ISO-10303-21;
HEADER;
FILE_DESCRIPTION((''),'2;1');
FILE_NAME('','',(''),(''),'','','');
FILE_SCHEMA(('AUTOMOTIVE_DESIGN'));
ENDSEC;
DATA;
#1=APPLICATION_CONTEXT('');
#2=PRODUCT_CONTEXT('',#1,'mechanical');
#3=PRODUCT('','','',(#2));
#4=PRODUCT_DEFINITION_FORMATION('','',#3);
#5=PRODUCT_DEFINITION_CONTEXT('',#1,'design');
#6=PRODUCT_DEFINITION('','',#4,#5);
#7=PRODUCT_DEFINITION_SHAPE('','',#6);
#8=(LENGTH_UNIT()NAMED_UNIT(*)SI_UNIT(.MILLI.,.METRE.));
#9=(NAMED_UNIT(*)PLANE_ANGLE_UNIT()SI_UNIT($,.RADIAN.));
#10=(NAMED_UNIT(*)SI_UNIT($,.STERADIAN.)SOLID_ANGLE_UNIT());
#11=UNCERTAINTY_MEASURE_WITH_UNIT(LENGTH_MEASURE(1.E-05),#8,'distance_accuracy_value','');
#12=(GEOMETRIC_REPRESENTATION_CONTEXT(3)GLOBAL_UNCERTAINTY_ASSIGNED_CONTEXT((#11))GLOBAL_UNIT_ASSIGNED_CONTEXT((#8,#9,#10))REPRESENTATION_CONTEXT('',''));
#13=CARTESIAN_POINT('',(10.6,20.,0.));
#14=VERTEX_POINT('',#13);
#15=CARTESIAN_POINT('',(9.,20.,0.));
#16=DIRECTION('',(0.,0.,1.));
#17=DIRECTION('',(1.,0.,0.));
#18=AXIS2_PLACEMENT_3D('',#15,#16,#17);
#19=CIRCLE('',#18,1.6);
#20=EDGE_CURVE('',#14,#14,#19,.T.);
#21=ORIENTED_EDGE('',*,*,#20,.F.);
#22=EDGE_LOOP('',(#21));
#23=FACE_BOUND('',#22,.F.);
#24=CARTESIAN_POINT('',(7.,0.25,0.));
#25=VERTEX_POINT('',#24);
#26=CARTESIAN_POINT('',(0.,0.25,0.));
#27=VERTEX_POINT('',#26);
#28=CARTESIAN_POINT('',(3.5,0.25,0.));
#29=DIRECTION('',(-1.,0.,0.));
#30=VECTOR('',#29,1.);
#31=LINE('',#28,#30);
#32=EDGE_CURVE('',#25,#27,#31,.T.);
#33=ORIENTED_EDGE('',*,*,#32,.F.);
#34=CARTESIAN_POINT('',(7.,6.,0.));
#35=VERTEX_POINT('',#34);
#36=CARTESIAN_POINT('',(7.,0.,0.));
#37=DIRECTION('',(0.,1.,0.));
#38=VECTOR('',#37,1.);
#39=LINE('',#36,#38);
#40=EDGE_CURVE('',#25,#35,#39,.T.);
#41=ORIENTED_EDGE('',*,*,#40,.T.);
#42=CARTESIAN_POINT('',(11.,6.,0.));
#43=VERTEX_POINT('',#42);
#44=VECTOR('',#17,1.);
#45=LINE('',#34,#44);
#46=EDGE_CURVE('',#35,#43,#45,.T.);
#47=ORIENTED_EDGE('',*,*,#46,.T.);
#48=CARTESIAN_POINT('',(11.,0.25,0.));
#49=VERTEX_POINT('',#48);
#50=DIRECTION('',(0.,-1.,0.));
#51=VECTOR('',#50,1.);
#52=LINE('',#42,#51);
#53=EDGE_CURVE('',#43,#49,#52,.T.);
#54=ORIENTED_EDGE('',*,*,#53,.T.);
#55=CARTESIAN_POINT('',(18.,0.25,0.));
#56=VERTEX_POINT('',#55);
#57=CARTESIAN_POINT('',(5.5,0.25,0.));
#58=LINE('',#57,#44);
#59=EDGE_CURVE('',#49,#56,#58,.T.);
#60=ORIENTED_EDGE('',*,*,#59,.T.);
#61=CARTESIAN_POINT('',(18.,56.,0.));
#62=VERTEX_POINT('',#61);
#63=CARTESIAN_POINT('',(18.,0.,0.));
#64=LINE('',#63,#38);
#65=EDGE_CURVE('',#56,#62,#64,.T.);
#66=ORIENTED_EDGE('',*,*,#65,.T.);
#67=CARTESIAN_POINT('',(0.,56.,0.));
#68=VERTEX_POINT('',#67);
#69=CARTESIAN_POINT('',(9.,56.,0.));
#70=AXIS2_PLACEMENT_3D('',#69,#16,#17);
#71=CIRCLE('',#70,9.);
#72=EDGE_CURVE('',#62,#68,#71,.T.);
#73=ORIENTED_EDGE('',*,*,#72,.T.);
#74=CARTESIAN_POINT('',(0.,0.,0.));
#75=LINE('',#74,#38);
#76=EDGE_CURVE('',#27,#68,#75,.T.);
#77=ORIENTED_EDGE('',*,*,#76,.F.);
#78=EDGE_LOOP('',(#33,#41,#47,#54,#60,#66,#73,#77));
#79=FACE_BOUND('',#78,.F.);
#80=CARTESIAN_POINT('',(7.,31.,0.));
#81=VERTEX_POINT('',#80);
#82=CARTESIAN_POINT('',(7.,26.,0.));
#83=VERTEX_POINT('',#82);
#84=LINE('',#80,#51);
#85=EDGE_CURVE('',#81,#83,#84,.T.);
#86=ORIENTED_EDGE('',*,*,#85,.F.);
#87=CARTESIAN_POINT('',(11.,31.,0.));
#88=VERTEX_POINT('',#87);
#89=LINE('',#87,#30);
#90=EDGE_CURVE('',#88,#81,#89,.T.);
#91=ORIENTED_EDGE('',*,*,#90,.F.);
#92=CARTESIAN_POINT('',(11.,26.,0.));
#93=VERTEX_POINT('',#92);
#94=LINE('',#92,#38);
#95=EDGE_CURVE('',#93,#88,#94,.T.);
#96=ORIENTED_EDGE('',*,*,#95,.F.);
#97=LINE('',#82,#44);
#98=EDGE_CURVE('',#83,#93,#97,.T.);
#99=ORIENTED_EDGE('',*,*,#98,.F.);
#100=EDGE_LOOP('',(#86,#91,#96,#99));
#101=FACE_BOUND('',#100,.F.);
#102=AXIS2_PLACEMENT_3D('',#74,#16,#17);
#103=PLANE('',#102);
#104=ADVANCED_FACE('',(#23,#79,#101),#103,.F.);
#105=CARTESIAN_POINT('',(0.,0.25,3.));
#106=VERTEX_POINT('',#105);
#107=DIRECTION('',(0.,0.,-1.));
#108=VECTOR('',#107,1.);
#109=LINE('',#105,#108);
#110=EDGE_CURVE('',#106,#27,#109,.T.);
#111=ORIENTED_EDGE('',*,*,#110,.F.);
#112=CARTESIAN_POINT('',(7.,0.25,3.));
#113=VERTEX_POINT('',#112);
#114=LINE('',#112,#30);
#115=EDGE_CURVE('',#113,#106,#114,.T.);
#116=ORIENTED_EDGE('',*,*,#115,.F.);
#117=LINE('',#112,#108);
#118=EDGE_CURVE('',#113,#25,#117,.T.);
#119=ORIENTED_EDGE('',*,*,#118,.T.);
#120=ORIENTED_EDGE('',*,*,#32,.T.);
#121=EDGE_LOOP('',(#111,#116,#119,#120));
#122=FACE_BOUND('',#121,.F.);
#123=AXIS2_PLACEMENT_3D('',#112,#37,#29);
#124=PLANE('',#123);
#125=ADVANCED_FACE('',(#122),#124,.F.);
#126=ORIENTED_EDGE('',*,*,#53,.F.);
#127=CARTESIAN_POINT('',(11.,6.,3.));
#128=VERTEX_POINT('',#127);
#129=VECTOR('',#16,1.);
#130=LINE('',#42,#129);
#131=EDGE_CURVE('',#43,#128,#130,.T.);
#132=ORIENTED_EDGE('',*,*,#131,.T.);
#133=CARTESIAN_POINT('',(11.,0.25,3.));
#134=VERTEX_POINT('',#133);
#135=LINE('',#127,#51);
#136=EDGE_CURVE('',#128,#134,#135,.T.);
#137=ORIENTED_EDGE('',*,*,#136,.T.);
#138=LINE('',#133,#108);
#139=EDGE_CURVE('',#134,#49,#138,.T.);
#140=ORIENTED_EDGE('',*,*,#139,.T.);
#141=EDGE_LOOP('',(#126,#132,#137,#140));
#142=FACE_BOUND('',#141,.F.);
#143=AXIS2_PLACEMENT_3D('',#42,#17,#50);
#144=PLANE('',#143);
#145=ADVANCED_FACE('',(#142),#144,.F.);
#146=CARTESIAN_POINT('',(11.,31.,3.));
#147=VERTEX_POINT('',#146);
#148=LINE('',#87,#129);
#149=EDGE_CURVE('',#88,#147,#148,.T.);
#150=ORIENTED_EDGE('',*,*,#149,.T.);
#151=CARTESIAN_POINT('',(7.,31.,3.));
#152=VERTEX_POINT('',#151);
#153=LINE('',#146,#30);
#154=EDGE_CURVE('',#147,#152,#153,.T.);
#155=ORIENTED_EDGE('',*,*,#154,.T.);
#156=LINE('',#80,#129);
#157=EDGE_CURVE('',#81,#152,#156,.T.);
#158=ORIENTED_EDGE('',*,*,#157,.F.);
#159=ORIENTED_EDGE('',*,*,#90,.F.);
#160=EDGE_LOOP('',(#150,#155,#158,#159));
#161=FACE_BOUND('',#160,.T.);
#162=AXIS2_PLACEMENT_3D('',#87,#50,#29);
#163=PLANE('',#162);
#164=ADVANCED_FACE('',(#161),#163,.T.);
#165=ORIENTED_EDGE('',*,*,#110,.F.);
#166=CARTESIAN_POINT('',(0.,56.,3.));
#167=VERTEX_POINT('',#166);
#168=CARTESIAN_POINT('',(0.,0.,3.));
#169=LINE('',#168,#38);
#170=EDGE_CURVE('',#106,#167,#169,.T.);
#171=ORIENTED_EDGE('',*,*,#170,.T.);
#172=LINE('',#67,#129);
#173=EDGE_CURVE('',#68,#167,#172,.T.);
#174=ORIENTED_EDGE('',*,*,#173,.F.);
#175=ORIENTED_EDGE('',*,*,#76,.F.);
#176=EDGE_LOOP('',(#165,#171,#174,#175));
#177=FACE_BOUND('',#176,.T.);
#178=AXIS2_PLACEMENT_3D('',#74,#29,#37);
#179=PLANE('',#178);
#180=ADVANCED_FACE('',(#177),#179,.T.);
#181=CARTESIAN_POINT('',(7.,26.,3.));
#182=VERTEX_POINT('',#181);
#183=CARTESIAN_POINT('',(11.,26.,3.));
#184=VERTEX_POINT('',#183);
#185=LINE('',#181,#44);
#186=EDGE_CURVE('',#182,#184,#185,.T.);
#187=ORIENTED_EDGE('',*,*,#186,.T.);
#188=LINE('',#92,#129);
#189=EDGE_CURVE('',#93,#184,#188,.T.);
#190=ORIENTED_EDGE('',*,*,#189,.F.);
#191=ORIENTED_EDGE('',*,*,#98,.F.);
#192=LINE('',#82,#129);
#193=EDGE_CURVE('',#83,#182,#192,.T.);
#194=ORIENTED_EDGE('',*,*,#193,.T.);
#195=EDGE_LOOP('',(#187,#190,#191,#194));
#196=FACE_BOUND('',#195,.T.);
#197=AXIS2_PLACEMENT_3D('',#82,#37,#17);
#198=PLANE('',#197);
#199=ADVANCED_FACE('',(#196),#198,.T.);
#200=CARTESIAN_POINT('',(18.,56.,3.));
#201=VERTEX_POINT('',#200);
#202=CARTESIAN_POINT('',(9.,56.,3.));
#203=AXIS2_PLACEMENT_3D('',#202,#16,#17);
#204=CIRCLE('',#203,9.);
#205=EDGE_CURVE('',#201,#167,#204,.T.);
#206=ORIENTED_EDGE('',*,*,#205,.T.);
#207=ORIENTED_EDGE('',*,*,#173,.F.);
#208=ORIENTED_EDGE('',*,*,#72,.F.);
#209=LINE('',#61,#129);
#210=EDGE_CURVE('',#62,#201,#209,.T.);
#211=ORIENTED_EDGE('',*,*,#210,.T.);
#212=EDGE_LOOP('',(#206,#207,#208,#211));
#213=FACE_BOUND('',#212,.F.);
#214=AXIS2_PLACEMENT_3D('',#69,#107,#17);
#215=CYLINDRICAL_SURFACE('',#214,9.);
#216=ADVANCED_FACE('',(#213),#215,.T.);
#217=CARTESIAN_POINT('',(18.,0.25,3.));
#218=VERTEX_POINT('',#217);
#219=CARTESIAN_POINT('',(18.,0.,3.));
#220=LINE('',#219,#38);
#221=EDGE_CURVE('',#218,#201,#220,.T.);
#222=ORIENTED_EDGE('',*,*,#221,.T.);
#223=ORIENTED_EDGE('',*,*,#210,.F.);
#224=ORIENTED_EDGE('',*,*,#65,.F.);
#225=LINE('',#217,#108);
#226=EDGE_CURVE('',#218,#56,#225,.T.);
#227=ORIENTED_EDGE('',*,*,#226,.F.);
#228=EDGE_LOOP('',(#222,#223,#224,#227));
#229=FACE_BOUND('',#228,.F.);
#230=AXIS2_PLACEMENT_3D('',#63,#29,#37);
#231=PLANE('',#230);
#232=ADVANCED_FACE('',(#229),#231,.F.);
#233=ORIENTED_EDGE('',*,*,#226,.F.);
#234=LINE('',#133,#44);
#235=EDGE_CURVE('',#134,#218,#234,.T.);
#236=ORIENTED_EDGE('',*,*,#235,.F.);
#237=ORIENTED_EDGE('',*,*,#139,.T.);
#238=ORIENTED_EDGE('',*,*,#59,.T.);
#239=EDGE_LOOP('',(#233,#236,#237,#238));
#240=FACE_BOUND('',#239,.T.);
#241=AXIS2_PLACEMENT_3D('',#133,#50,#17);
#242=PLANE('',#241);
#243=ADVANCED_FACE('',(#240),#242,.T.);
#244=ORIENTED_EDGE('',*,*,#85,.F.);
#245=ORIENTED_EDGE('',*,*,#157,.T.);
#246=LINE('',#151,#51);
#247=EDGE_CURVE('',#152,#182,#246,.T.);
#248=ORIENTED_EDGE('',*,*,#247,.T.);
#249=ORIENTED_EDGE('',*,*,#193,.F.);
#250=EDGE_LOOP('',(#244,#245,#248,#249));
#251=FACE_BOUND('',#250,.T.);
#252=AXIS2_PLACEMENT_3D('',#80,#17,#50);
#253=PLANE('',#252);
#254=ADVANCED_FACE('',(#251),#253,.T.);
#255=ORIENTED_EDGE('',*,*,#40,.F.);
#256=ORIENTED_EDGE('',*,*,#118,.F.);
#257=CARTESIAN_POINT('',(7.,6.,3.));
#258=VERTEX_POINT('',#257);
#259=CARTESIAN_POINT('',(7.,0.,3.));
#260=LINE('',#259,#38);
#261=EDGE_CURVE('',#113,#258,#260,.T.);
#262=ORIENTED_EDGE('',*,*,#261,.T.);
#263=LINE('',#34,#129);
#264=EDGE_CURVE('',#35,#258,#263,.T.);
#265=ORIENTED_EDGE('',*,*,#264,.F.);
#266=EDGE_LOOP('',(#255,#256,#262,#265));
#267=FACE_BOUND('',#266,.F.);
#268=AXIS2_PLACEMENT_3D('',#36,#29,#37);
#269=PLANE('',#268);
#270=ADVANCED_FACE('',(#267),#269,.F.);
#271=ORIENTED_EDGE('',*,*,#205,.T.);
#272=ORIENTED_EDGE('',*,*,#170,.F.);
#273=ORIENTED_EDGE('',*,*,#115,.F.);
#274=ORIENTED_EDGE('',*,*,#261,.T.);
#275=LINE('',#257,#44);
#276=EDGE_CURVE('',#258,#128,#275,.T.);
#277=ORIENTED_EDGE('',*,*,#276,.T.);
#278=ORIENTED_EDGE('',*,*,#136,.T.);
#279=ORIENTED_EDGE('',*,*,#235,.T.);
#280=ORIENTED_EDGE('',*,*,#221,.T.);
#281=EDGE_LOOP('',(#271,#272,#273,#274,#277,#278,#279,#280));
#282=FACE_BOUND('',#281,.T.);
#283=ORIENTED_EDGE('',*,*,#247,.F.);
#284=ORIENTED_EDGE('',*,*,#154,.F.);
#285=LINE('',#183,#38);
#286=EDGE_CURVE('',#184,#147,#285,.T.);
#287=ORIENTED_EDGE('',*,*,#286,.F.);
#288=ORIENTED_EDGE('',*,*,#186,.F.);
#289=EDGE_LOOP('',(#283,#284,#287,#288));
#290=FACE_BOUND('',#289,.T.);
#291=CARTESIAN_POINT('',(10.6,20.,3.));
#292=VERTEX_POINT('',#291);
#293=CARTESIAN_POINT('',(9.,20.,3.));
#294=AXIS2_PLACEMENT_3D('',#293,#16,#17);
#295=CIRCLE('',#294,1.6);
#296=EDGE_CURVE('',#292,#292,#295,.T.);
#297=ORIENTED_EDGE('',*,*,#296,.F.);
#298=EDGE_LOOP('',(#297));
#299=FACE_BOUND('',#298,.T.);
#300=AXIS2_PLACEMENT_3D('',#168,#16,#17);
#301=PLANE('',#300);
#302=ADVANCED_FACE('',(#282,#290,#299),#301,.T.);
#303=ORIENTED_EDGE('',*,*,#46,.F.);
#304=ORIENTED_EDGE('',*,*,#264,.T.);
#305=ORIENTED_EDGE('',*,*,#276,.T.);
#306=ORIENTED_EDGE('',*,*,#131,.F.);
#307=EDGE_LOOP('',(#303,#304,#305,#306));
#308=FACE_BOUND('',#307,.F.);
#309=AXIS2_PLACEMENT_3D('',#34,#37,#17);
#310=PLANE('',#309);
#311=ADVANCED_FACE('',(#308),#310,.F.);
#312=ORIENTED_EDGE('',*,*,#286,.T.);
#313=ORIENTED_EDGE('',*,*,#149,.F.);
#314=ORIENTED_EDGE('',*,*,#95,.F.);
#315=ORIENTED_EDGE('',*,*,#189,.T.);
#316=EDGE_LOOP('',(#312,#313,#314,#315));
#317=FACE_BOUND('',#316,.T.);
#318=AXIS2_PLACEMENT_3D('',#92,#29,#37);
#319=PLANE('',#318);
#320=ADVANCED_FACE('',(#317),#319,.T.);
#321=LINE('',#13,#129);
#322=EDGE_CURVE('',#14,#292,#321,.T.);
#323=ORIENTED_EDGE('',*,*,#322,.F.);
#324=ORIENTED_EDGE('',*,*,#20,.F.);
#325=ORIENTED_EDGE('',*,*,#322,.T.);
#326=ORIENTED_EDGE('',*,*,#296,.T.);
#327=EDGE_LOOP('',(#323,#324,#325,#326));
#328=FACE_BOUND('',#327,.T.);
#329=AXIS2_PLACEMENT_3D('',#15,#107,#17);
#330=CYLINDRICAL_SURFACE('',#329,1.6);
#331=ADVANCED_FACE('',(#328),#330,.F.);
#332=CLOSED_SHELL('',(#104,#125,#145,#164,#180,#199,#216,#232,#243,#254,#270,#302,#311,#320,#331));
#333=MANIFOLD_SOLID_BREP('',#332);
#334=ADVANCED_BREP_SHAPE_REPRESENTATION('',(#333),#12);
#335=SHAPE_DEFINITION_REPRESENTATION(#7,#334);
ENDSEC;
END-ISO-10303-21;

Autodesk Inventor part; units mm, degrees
ref_plane "YZ Plane" through (0, 0, 0) normal (1, 0, 0) x (0, 1, 0)
ref_plane "XZ Plane" through (0, 0, 0) normal (0, 1, 0) x (-1, 0, 0)
ref_plane "XY Plane" through (0, 0, 0) normal (0, 0, 1) x (1, 0, 0)
sketch "スケッチ1" plane through (0, 0, 0) normal (0, 0, 1) x (1, 0, 0)
  line L0 (0, 0) -> (7, 0)
  line L1 (7, 0) -> (7, 6)
  line L2 (7, 6) -> (11, 6)
  line L3 (11, 6) -> (11, 0)
  line L4 (11, 0) -> (18, 0)
  line L5 (18, 0) -> (18, 56)
  arc A0 (18, 56) -> (0, 56) centre (9, 56) ccw
  line L6 (0, 0) -> (0, 56)
  line L7 (18, 56) -> (0, 56) construction
  line L8 (9, 6) -> (9, 20) construction
  circle A1 centre (9, 20) radius 1.6
  line L9 (7, 26) -> (11, 26)
  line L10 (11, 26) -> (11, 31)
  line L11 (11, 31) -> (7, 31)
  line L12 (7, 31) -> (7, 26)
  line L13 (9, 56) -> (9, 65) construction
  dimension "d0" = 4
  dimension "d1" = 6
  dimension "d2" = 18
  dimension "d3" = 20
  dimension "d4" = 3.2
  dimension "d5" = 26
  dimension "d6" = 5
  dimension "d7" = 65
extrude "押し出し1" add sketch "スケッチ1" along normal blind 3
sketch "スケッチ2" plane through (0, 0, 3) normal (0, 0, 1) x (1, 0, 0)
  point P0 (0, 0)
sketch "スケッチ3" plane through (0, 0, 3) normal (0, 0, 1) x (1, 0, 0)
  line L0 (0, 0) -> (7, 0) projected
  line L1 (0, 0) -> (7, 0)
  line L2 (7, 0) -> (7, 0.25)
  line L3 (7, 0.25) -> (0, 0.25)
  line L4 (0, 0.25) -> (0, 0)
  line L5 (11, 0) -> (18, 0) projected
  line L6 (11, 6) -> (11, 0) projected
  line L7 (18, 0) -> (11, 0)
  line L8 (11, 0) -> (11, 0.25)
  line L9 (11, 0.25) -> (18, 0.25)
  line L10 (18, 0.25) -> (18, 0)
  line L11 (7, 0) -> (7, 6) projected
  dimension "d10" = 0.25
  dimension "d11" = 0.25
extrude "押し出し2" cut sketch "スケッチ3" against normal through all
equation "\"d11\" = d10"
properties part number "gpu_support" material "アルミニウム 6061"
